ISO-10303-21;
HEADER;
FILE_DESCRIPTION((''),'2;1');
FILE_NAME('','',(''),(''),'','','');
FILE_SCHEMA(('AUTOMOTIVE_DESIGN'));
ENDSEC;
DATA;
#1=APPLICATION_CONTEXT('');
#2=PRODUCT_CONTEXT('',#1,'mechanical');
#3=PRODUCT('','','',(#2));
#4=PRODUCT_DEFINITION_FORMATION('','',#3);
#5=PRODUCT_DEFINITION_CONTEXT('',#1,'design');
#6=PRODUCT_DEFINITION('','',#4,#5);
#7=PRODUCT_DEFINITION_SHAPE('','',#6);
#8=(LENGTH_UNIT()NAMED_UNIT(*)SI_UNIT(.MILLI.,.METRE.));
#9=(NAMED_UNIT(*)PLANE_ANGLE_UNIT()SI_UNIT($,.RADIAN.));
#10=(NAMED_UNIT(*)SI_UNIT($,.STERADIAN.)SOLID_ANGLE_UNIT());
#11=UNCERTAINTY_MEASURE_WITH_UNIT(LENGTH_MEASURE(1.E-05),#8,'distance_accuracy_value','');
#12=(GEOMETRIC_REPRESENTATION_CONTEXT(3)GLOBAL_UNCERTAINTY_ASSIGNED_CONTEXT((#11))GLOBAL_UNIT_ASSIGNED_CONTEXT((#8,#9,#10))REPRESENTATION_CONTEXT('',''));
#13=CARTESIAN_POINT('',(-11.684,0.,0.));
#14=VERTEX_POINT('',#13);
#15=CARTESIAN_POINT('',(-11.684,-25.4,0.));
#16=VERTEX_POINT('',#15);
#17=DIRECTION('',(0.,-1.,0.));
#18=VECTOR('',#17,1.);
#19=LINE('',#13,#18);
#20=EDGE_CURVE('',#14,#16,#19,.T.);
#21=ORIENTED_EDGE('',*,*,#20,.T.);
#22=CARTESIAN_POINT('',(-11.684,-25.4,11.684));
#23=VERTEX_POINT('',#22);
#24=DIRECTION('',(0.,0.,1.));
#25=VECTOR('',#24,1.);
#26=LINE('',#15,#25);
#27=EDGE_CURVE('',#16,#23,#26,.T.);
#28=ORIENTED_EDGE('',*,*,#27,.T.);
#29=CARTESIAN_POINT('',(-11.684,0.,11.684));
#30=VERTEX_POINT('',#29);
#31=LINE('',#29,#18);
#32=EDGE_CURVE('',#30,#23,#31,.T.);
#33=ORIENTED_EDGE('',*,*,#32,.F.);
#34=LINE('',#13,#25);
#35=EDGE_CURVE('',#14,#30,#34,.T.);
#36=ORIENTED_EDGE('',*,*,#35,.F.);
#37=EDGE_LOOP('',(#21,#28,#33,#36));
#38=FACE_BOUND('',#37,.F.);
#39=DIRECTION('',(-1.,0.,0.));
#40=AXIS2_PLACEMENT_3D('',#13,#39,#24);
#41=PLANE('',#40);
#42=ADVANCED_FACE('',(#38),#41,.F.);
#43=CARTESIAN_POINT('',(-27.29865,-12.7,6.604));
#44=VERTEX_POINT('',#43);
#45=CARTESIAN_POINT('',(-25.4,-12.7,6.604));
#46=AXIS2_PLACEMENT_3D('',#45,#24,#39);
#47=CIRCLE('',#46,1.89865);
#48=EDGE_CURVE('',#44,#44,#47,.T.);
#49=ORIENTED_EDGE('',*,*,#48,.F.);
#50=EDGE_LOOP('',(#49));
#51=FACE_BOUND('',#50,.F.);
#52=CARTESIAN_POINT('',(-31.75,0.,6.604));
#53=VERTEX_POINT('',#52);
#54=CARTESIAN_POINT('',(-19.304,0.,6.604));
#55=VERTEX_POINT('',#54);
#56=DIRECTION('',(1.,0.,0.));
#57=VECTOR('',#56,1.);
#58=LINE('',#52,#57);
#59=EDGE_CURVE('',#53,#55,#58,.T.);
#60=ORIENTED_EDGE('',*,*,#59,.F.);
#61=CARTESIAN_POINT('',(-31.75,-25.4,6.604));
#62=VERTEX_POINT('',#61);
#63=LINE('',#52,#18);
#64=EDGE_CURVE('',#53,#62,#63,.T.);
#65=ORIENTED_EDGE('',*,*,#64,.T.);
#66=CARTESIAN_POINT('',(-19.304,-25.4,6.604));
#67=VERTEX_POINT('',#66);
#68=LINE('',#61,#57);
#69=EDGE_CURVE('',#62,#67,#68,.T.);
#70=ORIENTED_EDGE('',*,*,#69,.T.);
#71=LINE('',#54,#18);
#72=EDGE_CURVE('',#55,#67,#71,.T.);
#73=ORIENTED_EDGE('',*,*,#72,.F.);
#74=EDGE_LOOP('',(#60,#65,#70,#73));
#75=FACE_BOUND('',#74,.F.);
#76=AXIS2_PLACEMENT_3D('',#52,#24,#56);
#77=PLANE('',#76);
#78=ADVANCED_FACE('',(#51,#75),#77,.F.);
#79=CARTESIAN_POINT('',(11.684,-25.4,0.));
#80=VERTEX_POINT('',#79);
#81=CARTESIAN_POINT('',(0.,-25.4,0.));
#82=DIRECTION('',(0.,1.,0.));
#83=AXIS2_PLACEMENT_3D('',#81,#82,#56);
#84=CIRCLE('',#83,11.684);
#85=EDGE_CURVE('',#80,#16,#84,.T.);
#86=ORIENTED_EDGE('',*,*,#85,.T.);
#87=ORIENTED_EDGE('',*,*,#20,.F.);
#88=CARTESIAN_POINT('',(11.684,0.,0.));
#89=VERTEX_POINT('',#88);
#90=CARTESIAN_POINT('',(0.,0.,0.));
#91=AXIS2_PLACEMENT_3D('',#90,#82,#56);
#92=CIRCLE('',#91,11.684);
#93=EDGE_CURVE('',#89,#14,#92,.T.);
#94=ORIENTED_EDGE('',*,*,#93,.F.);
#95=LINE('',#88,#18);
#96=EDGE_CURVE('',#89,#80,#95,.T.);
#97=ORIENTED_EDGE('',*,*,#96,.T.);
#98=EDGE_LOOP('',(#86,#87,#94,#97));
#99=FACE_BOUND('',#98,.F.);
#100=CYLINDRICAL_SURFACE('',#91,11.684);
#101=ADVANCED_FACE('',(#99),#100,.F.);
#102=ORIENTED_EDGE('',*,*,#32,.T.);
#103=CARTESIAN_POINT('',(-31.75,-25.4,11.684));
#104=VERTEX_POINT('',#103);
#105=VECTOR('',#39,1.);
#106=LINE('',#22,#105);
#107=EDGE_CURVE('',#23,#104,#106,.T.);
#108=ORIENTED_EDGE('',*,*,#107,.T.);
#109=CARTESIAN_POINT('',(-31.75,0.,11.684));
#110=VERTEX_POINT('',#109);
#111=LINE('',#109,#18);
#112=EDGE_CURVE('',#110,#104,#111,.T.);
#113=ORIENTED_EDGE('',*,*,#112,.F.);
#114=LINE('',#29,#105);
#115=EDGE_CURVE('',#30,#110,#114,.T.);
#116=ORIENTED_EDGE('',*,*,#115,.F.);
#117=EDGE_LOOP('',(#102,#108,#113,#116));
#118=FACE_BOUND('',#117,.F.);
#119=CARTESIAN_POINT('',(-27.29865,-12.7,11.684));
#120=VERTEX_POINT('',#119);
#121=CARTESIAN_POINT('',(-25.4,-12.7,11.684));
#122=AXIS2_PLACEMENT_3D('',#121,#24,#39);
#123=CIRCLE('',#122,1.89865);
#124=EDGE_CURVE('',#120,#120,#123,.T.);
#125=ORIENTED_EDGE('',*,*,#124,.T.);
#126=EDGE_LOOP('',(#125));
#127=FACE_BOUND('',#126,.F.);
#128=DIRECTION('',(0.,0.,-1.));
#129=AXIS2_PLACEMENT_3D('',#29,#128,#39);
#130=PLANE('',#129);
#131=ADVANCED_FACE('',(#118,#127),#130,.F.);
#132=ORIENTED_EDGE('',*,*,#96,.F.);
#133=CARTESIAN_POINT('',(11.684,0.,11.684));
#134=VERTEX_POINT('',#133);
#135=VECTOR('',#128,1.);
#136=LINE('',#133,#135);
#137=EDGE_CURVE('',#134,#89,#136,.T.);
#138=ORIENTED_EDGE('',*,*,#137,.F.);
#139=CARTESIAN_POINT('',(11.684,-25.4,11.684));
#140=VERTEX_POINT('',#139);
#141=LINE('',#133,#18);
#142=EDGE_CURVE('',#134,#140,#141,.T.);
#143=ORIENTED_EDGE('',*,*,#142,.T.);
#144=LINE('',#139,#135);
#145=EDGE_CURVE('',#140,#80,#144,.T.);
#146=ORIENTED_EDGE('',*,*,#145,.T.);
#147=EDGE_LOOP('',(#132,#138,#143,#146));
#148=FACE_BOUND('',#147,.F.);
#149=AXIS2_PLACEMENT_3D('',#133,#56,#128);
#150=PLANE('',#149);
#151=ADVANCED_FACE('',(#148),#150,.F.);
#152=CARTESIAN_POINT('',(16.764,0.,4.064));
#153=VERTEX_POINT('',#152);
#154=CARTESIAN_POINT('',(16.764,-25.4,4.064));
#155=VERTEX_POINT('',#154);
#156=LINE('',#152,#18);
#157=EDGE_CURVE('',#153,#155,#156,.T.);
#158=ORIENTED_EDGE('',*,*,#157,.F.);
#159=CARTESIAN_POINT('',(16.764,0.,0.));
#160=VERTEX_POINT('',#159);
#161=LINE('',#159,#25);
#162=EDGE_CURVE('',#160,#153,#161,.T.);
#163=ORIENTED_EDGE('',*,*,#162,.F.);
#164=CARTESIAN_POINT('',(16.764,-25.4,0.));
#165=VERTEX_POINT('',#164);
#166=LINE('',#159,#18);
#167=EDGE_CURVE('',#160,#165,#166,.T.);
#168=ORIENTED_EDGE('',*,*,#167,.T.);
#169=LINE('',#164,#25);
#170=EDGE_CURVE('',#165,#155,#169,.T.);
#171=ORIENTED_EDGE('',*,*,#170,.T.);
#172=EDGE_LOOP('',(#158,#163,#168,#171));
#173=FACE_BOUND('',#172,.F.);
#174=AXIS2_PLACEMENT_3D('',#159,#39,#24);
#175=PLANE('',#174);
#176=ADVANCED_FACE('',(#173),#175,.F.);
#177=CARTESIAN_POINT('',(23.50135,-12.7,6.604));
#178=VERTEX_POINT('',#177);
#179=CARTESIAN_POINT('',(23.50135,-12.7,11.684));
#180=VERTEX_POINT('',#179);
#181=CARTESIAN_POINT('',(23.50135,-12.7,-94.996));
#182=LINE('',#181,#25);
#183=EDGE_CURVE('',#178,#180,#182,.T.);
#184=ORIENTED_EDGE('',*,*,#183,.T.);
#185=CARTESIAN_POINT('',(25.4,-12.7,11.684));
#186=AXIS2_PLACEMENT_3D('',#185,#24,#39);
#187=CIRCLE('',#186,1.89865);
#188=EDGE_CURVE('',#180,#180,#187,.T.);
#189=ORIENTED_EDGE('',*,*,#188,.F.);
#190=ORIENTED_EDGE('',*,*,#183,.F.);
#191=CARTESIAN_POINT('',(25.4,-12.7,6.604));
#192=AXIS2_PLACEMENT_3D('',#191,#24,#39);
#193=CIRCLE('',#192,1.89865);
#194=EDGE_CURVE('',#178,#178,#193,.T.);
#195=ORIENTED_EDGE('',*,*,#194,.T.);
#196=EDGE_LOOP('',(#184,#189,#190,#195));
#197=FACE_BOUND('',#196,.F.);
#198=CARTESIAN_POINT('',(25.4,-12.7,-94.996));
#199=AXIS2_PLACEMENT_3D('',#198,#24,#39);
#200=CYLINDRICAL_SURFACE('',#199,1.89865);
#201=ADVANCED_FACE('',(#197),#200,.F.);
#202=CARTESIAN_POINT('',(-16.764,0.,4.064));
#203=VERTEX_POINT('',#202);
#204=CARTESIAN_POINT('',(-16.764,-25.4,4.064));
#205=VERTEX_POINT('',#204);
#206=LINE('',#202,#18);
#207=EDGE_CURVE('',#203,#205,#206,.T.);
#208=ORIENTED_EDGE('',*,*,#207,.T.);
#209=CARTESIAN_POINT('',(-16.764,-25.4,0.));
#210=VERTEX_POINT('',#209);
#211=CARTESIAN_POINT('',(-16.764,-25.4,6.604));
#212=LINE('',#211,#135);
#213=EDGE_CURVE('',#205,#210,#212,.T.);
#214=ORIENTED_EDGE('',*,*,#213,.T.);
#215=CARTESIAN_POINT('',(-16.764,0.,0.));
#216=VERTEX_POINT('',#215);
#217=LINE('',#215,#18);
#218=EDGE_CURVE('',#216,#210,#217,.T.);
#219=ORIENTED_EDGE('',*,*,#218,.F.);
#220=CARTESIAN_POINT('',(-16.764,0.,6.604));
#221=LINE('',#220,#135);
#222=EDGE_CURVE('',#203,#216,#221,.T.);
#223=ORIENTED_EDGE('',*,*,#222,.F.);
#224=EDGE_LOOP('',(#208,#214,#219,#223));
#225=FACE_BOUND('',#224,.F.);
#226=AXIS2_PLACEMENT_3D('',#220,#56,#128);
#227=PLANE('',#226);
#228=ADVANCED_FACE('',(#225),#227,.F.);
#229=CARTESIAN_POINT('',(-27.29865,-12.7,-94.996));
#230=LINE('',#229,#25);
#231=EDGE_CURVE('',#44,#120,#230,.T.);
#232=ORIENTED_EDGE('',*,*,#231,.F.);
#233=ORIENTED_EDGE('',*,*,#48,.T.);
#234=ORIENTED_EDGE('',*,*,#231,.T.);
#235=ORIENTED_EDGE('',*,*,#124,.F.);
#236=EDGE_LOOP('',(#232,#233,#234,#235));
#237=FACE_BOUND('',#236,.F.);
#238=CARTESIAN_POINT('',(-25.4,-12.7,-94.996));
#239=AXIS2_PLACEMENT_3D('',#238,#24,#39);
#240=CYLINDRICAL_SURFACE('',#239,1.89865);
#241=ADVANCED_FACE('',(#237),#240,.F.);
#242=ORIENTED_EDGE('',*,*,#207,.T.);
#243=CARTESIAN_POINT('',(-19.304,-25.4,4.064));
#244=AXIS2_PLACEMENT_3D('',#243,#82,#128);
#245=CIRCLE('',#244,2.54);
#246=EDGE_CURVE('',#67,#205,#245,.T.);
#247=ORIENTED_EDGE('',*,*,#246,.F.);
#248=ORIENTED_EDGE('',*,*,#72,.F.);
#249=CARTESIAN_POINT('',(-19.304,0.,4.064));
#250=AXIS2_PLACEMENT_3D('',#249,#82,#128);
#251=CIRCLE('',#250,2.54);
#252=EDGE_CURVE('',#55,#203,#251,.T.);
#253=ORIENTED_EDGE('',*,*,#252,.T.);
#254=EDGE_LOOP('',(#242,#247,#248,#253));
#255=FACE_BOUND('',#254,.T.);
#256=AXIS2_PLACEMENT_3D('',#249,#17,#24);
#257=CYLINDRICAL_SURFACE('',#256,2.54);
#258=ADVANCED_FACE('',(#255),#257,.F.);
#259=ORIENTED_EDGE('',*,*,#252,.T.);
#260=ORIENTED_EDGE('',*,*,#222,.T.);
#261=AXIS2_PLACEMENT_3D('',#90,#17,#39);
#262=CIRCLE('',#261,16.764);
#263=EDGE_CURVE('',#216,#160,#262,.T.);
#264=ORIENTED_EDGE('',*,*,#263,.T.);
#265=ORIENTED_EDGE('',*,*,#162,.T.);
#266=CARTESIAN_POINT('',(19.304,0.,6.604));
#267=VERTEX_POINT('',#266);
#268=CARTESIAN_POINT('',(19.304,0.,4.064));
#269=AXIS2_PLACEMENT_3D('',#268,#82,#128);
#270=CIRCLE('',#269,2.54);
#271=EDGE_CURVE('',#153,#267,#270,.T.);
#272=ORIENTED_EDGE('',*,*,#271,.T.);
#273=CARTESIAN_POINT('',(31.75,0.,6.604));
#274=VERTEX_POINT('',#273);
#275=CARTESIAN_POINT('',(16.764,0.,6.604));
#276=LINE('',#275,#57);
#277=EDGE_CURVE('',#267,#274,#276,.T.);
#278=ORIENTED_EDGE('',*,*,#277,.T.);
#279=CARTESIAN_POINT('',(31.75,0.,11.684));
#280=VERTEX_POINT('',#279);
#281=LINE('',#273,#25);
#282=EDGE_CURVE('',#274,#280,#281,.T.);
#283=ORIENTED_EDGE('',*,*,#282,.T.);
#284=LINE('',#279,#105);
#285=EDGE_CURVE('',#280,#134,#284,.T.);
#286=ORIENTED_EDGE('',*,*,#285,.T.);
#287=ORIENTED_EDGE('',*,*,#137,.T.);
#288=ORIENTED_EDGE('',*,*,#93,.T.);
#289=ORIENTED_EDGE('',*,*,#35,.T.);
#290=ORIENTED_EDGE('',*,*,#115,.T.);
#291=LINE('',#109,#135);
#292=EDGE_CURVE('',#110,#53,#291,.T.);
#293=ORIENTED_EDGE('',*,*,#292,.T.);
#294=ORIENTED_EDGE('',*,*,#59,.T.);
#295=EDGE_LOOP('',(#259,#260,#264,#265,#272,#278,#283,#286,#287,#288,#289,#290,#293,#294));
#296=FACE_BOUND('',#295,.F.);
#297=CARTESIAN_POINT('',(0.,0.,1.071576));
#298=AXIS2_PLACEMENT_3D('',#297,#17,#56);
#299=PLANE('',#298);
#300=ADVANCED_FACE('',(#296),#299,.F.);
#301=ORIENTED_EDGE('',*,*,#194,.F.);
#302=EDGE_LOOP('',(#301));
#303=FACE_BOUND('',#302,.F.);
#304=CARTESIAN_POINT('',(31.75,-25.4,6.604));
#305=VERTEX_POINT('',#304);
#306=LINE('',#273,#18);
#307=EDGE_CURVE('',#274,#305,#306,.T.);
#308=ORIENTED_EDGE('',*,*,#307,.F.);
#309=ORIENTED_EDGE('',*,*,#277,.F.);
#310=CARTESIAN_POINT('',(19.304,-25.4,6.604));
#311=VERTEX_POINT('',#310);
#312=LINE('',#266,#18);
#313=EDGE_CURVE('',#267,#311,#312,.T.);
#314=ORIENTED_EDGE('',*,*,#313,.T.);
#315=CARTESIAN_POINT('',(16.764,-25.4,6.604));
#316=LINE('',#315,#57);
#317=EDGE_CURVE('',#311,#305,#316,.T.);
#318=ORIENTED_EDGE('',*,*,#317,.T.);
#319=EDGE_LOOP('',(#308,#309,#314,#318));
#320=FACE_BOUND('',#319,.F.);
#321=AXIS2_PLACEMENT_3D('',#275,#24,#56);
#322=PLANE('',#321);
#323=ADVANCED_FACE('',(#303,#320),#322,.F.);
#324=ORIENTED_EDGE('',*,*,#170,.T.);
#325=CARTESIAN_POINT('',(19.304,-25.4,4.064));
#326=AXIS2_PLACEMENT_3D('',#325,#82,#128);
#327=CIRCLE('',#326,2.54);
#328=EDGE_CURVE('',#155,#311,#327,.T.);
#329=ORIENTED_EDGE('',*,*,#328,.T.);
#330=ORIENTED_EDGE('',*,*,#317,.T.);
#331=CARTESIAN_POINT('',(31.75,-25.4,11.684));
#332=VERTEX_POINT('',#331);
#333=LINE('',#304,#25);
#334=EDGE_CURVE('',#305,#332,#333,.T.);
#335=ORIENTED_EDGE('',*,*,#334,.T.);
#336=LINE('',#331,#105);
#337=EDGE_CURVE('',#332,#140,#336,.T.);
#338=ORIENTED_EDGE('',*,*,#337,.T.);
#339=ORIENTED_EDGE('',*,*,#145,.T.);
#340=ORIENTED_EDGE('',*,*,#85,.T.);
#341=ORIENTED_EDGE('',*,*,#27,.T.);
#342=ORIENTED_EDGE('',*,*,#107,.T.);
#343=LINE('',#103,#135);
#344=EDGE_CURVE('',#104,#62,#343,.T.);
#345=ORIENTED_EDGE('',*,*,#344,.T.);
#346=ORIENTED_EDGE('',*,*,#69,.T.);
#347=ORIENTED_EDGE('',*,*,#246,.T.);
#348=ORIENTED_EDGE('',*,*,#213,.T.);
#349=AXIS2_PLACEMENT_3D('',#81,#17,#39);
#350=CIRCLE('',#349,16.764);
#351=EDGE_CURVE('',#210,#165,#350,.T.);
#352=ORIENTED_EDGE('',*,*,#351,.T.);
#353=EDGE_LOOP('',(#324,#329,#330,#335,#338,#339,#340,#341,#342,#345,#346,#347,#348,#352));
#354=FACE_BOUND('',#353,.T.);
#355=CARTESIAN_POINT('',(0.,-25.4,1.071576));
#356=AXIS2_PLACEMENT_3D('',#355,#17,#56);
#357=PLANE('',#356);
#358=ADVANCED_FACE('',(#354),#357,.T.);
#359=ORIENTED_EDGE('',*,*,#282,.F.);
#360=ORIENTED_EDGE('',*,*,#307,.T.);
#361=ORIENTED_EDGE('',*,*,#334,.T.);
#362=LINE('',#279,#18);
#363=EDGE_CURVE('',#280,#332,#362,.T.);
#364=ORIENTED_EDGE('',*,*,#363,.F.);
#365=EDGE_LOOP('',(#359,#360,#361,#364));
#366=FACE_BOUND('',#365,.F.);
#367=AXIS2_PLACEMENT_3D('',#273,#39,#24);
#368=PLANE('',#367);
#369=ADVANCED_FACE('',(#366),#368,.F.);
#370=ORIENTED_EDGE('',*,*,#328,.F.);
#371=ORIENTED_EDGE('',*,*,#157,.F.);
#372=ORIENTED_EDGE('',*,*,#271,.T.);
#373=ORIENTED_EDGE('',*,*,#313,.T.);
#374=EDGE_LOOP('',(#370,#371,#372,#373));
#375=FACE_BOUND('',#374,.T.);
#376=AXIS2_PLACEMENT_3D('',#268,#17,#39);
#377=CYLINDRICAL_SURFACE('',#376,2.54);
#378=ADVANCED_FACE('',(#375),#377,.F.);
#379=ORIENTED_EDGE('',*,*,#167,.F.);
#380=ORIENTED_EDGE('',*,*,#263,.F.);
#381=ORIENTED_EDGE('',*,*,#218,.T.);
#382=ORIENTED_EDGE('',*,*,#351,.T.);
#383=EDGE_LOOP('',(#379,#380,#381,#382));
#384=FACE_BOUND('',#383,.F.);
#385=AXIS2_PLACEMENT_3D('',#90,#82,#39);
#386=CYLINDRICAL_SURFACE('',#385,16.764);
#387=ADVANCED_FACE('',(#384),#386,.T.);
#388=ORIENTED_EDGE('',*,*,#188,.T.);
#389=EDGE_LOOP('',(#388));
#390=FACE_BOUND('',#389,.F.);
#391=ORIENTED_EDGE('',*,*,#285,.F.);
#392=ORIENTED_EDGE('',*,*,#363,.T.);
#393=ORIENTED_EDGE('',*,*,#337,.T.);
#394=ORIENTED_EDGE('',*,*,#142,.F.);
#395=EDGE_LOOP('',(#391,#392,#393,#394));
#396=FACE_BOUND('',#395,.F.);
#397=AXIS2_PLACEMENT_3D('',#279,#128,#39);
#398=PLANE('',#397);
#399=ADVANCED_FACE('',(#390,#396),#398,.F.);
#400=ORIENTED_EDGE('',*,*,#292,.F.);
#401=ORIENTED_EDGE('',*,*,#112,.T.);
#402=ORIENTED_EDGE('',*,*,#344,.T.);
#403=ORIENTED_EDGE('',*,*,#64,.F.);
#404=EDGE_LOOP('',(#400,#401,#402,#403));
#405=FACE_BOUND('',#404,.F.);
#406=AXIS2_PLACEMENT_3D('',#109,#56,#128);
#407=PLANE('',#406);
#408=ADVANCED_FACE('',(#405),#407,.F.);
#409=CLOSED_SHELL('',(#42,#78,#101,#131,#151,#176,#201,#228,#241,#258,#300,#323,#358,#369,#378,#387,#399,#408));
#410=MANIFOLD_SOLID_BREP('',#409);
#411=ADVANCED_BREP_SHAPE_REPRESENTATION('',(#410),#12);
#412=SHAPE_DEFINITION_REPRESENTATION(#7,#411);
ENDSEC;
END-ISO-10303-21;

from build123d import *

# Parameters (mm, degrees)
F1_DEPTH = 25.4
F3_D     = 3.7973
F3_DEPTH = 101.6
F3_TIP   = 1.1408240143
F4_R     = 2.54


with BuildPart() as f1:
    # F0 (on Front) → F1 (new body)
    with BuildSketch(Plane.XZ):
        with BuildLine():
            ThreePointArc((11.684, 0), (0, -11.684), (-11.684, 0))
            Line((-11.684, 0), (-11.684, 11.684))
            Line((-11.684, 11.684), (-31.75, 11.684))
            Line((-31.75, 11.684), (-31.75, 6.604))
            Line((-31.75, 6.604), (-16.764, 6.604))
            Line((-16.764, 6.604), (-16.764, 0))
            ThreePointArc((-16.764, 0), (0, -16.764), (16.764, 0))
            Line((16.764, 0), (16.764, 6.604))
            Line((16.764, 6.604), (31.75, 6.604))
            Line((31.75, 6.604), (31.75, 11.684))
            Line((31.75, 11.684), (11.684, 11.684))
            Line((11.684, 11.684), (11.684, 0))
        make_face()
    extrude(amount=F1_DEPTH)

    # F3
    with Locations(Plane(origin=(0, 0, 6.604), x_dir=(1, 0, 0), z_dir=(0, 0, -1))):
        with Locations((-25.4, 12.7), (25.4, 12.7)):
            Hole(F3_D / 2, depth=F3_DEPTH)
            with Locations((0, 0, -(F3_DEPTH + F3_TIP / 2))):  # 118° drill point
                Cone(0, F3_D / 2, F3_TIP, mode=Mode.SUBTRACT)

    # F4
    f4_edges = [f1.edges().sort_by_distance(p)[0] for p in [
        (16.764, -12.7, 6.604),
        (-16.764, -12.7, 6.604),
    ]]
    fillet(f4_edges, radius=F4_R)


solid = f1.part
